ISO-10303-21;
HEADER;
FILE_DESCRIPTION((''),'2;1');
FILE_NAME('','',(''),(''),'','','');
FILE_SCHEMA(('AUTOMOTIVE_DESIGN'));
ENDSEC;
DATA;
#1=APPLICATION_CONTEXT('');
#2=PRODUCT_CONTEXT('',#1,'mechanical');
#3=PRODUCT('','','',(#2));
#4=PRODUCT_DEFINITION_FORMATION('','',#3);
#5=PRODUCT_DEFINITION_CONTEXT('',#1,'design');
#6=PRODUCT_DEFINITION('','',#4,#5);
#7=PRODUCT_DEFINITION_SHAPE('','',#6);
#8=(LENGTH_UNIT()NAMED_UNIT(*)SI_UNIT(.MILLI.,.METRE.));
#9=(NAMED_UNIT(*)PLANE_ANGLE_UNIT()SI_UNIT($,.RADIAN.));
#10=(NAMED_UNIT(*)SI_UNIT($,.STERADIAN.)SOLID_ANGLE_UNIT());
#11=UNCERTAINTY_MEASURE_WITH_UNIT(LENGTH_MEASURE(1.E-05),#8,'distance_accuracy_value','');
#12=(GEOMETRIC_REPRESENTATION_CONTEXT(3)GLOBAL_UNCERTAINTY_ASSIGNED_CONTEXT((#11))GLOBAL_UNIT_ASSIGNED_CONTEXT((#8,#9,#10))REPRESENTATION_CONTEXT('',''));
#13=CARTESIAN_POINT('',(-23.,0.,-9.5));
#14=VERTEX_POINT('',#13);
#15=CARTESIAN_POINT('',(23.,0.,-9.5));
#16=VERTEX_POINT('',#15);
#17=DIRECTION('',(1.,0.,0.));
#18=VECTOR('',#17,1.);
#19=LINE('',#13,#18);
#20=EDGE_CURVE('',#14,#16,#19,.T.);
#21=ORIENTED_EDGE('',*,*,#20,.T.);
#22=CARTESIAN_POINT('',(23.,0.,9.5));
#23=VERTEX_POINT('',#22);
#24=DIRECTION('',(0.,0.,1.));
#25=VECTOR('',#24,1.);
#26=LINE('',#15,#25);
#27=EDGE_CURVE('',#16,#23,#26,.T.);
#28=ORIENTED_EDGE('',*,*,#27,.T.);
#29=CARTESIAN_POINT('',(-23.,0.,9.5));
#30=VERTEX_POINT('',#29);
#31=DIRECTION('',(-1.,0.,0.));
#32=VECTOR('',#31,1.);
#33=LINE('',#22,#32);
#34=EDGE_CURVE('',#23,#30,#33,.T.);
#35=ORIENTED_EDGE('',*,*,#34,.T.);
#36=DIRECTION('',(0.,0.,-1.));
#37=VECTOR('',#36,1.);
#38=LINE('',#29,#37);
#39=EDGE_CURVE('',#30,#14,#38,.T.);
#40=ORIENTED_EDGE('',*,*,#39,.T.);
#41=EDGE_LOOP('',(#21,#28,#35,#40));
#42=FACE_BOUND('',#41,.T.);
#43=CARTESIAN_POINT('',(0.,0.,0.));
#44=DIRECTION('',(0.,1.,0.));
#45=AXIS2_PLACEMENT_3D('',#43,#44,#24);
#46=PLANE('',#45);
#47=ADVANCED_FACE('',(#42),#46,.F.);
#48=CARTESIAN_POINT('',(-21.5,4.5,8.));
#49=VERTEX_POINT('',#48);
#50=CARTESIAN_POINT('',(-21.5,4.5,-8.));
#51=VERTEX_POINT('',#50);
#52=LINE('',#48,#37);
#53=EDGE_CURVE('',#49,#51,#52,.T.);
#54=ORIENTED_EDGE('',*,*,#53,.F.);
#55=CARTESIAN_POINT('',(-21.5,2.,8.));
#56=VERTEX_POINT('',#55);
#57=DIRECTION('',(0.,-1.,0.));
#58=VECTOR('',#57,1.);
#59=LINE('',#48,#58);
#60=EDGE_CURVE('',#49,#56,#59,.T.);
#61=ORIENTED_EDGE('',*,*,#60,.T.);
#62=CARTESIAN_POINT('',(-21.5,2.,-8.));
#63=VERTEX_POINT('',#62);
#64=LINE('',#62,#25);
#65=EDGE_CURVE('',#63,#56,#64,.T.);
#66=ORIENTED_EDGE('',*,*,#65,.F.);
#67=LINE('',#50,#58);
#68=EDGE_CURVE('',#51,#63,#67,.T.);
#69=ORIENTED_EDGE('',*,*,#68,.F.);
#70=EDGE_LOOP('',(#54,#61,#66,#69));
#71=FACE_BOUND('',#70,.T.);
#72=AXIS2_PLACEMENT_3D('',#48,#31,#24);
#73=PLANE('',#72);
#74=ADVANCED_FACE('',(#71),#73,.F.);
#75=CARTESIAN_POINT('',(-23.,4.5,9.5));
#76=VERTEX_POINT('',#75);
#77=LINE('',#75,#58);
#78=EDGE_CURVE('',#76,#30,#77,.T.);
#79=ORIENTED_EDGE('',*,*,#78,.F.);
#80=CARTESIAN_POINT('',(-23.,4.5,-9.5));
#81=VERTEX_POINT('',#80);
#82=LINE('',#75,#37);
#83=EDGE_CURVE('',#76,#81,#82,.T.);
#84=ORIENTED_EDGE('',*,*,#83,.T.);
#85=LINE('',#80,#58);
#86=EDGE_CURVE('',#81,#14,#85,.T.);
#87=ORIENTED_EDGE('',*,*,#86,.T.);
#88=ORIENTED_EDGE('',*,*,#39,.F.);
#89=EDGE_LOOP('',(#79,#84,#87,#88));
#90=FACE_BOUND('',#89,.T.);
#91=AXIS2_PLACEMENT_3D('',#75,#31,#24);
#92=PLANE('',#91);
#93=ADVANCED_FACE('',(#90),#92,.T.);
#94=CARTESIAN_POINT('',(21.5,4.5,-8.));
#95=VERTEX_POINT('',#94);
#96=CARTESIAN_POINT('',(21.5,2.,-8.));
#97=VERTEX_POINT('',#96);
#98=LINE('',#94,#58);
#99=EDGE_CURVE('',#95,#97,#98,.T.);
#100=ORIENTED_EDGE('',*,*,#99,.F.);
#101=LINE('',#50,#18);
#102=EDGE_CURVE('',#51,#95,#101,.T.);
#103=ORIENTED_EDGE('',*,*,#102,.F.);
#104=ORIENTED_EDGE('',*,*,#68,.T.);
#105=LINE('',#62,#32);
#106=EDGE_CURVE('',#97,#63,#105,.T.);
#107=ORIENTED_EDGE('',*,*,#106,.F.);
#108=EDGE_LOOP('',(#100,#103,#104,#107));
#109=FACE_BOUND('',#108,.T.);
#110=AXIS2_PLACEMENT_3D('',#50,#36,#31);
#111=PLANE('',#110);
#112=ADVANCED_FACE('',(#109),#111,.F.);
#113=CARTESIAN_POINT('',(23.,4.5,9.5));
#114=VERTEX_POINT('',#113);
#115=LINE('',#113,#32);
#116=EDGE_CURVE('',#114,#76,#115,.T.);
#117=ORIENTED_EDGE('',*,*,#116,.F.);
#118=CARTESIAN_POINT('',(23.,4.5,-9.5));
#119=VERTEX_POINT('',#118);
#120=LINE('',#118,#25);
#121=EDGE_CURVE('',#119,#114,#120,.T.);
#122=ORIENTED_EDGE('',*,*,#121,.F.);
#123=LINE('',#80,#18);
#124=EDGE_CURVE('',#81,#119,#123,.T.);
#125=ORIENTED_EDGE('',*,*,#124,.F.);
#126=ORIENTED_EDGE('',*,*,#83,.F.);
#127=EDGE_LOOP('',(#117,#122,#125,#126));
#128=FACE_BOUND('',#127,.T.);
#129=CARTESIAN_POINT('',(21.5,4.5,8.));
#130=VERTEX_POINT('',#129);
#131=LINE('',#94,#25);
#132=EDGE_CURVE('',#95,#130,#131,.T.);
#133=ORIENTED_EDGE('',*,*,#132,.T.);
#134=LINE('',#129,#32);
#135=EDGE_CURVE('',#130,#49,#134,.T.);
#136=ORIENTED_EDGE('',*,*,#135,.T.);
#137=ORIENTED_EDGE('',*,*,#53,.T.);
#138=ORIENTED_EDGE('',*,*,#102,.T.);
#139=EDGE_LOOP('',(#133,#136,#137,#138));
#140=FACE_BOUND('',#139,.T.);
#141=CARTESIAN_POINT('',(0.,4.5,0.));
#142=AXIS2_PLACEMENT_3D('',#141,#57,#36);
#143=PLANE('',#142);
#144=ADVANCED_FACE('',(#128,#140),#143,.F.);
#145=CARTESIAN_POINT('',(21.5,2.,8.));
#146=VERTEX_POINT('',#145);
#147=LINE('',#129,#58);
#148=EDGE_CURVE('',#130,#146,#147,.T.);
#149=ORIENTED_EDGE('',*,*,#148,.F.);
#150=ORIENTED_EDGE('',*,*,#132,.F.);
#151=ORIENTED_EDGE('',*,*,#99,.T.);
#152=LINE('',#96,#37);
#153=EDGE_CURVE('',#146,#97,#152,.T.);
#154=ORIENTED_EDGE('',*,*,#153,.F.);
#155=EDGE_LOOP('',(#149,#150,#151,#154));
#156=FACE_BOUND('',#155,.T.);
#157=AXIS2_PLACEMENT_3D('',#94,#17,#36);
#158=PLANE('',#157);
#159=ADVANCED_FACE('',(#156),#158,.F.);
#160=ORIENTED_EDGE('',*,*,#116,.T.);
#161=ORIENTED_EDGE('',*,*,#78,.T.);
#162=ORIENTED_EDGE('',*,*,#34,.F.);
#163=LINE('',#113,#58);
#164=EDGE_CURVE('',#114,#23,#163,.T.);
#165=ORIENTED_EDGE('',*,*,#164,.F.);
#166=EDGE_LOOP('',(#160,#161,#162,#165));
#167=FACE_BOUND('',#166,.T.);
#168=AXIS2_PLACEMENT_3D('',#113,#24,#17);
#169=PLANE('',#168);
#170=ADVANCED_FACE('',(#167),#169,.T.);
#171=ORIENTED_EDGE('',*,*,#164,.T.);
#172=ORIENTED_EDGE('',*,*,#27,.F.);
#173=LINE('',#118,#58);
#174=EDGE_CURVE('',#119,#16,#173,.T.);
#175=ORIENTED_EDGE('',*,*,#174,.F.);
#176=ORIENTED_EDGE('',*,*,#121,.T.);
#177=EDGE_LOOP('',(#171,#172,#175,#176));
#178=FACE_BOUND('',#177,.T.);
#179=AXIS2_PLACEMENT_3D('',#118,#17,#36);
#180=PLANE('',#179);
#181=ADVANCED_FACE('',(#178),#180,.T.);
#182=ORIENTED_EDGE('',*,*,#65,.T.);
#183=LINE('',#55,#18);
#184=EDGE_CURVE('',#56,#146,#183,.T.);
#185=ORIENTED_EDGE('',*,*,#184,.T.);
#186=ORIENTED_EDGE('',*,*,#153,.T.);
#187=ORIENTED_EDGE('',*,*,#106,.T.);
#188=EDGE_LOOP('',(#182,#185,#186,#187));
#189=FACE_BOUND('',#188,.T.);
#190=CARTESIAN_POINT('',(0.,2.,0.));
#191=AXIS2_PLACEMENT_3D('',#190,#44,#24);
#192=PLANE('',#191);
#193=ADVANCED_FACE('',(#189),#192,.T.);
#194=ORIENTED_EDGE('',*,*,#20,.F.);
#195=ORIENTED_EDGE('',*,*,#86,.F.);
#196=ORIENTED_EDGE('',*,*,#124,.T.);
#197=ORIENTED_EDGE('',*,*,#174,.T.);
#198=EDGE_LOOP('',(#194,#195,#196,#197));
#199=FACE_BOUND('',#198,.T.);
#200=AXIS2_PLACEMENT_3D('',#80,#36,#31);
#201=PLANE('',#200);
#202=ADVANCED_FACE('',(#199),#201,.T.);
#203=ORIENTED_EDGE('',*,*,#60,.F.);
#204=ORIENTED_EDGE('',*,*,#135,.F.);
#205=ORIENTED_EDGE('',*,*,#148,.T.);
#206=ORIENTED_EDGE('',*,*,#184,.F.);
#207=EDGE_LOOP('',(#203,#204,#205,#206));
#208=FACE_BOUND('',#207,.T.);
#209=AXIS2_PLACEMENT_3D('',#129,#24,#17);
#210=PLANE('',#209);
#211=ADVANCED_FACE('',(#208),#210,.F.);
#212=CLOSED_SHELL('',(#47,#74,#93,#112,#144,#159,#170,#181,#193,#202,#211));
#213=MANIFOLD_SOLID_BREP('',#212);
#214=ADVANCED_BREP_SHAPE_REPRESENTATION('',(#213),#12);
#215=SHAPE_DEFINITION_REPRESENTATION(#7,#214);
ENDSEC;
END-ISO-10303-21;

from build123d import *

# Parameters (mm, degrees)
SKETCH1_W           = 43
SKETCH1_H           = 16
BOSS_EXTRUDE1_DEPTH = 2
SKETCH2_W           = 46
SKETCH2_H           = 19
SKETCH2_W_2         = 43
SKETCH2_H_2         = 16
BOSS_EXTRUDE4_DEPTH = 4.5


with BuildPart() as part:
    # Sketch1 → Boss-Extrude1 (new body)
    with BuildSketch(Plane(origin=(0, 0, 0), x_dir=(1, 0, 0), z_dir=(0, 1, 0))):
        Rectangle(SKETCH1_W, SKETCH1_H)
    extrude(amount=BOSS_EXTRUDE1_DEPTH)

    # Sketch2 → Boss-Extrude4 (add)
    with BuildSketch(Plane.XZ):
        Rectangle(SKETCH2_W, SKETCH2_H)
        Rectangle(SKETCH2_W_2, SKETCH2_H_2, mode=Mode.SUBTRACT)
    extrude(amount=-BOSS_EXTRUDE4_DEPTH)


solid = part.part
